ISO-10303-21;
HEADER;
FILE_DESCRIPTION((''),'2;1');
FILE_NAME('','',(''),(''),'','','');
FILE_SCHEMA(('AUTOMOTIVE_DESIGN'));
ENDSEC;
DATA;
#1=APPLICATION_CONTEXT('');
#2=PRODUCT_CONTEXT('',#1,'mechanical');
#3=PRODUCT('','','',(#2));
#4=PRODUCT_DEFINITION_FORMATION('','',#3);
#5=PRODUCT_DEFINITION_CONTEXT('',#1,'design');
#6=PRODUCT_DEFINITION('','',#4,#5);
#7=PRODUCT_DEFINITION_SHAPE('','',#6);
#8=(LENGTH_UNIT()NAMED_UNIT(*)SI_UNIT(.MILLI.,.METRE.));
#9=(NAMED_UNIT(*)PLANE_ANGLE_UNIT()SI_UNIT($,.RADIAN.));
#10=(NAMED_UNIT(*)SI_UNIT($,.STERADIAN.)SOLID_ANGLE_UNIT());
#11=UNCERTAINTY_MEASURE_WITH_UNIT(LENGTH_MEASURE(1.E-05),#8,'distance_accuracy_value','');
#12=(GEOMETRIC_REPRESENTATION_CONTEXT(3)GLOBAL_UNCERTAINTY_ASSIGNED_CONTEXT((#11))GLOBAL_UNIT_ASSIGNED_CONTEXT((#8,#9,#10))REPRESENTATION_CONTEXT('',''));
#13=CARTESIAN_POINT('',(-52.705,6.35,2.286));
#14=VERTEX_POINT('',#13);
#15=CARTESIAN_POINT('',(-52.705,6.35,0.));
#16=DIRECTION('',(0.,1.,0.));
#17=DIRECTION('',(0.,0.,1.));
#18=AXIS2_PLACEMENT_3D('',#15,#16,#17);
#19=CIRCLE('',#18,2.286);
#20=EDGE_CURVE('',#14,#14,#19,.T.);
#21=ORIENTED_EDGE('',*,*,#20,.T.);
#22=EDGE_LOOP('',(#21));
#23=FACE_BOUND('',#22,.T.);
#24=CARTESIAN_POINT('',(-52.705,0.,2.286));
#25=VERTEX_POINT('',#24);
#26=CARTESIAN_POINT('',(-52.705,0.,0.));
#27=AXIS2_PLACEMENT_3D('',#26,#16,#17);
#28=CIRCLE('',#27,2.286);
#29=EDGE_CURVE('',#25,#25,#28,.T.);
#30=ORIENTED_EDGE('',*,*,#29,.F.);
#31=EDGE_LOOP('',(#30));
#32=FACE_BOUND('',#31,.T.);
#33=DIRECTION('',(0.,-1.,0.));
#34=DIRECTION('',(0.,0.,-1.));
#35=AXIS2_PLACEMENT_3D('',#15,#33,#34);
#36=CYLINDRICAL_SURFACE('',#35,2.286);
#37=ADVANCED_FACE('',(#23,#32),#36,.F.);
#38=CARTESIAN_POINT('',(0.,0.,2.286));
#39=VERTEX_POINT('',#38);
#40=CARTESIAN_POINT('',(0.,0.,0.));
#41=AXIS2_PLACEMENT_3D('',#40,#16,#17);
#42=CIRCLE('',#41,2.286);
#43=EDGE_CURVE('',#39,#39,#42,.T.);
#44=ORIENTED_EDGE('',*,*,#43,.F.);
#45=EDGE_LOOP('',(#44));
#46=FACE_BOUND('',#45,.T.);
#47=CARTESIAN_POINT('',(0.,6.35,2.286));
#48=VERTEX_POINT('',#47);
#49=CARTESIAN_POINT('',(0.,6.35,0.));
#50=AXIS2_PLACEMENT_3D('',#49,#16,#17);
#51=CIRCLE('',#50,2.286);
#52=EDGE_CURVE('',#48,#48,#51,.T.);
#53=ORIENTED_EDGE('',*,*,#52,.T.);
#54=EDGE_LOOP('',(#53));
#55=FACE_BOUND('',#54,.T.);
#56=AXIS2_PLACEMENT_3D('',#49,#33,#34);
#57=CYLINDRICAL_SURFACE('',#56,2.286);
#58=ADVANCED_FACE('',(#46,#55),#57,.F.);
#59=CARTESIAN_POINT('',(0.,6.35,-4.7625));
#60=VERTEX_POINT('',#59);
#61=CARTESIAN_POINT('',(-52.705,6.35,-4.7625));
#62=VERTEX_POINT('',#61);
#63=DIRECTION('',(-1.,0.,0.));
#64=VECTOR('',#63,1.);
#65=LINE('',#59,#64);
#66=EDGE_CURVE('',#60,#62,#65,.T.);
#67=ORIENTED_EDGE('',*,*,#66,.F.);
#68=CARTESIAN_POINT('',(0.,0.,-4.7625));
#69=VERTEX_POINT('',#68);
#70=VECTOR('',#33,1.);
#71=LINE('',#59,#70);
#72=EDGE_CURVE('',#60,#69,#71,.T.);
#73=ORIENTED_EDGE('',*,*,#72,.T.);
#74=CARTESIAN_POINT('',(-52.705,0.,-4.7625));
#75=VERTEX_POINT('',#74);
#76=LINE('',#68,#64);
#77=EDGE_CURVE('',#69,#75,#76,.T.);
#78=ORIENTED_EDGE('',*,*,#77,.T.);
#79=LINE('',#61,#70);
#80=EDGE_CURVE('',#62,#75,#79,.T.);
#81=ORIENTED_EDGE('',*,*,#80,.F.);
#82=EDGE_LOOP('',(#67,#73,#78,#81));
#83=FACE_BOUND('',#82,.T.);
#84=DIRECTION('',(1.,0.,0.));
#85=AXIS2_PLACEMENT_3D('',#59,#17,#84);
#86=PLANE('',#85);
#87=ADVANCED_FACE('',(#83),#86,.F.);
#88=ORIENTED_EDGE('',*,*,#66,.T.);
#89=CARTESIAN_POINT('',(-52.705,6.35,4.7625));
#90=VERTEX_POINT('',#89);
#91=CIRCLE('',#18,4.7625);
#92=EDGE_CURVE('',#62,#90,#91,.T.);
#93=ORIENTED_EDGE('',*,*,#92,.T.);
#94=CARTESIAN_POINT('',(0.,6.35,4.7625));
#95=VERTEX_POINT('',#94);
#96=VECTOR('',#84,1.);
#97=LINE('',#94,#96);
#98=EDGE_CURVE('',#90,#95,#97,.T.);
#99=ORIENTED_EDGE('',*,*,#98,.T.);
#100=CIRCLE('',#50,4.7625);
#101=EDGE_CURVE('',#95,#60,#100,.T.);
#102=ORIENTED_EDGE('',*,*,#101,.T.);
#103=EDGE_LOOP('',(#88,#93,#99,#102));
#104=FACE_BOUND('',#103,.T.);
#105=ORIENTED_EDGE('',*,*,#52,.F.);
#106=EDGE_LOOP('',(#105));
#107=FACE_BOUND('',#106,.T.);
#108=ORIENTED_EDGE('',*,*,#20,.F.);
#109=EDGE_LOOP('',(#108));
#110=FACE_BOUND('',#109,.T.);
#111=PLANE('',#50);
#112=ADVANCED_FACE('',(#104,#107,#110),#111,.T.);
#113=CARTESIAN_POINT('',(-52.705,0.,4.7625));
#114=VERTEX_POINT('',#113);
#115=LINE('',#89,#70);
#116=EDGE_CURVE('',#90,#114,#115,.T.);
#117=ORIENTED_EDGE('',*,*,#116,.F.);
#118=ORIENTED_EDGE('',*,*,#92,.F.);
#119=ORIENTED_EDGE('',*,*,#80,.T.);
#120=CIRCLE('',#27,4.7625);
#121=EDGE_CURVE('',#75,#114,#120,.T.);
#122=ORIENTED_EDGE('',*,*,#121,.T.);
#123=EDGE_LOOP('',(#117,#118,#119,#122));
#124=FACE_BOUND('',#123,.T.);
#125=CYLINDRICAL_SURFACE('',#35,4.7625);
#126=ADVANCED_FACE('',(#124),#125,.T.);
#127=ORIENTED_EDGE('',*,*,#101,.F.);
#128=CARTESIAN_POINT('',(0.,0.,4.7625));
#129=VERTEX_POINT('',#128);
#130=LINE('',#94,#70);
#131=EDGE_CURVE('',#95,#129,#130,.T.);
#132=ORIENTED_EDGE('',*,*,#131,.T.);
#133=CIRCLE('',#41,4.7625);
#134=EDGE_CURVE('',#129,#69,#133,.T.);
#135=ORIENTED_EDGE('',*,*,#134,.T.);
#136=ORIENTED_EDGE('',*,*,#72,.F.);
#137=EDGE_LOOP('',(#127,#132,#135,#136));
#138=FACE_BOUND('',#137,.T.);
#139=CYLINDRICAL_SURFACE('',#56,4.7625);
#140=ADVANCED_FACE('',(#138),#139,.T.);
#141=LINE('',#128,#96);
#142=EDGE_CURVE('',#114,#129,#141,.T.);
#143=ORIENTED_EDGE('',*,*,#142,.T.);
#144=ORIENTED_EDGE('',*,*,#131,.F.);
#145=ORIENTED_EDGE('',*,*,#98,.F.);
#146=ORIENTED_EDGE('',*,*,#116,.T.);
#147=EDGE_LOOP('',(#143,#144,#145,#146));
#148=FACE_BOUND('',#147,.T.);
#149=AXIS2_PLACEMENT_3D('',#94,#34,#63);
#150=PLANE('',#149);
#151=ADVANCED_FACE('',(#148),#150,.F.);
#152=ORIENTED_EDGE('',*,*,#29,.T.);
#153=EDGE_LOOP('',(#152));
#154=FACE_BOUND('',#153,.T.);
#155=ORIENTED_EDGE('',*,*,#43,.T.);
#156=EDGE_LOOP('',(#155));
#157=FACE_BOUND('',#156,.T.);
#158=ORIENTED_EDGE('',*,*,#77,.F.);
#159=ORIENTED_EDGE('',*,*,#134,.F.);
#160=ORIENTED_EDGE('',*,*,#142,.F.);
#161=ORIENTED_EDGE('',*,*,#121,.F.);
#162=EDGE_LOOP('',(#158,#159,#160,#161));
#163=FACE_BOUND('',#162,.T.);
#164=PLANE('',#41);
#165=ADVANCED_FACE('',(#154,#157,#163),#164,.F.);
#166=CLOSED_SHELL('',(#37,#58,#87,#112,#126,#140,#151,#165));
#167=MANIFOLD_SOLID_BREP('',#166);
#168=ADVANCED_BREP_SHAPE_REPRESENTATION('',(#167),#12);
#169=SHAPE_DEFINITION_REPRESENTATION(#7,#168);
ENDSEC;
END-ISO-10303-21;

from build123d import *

# Parameters (mm, degrees)
SKETCH1_R           = 2.286
BOSS_EXTRUDE1_DEPTH = 6.35


with BuildPart() as part:
    # Sketch1 → Boss-Extrude1 (new body)
    with BuildSketch(Plane(origin=(0, 0, 0), x_dir=(1, 0, 0), z_dir=(0, 1, 0))):
        with BuildLine():
            Line((0, -4.7625), (-52.705, -4.7625))
            ThreePointArc((-52.705, -4.7625), (-57.4675, 0), (-52.705, 4.7625))
            Line((-52.705, 4.7625), (0, 4.7625))
            ThreePointArc((0, 4.7625), (4.7625, 0), (0, -4.7625))
        make_face()
        with Locations(Location((0, 0, 0), (0, 0, 270))):
            Circle(SKETCH1_R, mode=Mode.SUBTRACT)
        with Locations(Location((-52.705, 0, 0), (0, 0, 270))):
            Circle(SKETCH1_R, mode=Mode.SUBTRACT)
    extrude(amount=BOSS_EXTRUDE1_DEPTH)


solid = part.part
